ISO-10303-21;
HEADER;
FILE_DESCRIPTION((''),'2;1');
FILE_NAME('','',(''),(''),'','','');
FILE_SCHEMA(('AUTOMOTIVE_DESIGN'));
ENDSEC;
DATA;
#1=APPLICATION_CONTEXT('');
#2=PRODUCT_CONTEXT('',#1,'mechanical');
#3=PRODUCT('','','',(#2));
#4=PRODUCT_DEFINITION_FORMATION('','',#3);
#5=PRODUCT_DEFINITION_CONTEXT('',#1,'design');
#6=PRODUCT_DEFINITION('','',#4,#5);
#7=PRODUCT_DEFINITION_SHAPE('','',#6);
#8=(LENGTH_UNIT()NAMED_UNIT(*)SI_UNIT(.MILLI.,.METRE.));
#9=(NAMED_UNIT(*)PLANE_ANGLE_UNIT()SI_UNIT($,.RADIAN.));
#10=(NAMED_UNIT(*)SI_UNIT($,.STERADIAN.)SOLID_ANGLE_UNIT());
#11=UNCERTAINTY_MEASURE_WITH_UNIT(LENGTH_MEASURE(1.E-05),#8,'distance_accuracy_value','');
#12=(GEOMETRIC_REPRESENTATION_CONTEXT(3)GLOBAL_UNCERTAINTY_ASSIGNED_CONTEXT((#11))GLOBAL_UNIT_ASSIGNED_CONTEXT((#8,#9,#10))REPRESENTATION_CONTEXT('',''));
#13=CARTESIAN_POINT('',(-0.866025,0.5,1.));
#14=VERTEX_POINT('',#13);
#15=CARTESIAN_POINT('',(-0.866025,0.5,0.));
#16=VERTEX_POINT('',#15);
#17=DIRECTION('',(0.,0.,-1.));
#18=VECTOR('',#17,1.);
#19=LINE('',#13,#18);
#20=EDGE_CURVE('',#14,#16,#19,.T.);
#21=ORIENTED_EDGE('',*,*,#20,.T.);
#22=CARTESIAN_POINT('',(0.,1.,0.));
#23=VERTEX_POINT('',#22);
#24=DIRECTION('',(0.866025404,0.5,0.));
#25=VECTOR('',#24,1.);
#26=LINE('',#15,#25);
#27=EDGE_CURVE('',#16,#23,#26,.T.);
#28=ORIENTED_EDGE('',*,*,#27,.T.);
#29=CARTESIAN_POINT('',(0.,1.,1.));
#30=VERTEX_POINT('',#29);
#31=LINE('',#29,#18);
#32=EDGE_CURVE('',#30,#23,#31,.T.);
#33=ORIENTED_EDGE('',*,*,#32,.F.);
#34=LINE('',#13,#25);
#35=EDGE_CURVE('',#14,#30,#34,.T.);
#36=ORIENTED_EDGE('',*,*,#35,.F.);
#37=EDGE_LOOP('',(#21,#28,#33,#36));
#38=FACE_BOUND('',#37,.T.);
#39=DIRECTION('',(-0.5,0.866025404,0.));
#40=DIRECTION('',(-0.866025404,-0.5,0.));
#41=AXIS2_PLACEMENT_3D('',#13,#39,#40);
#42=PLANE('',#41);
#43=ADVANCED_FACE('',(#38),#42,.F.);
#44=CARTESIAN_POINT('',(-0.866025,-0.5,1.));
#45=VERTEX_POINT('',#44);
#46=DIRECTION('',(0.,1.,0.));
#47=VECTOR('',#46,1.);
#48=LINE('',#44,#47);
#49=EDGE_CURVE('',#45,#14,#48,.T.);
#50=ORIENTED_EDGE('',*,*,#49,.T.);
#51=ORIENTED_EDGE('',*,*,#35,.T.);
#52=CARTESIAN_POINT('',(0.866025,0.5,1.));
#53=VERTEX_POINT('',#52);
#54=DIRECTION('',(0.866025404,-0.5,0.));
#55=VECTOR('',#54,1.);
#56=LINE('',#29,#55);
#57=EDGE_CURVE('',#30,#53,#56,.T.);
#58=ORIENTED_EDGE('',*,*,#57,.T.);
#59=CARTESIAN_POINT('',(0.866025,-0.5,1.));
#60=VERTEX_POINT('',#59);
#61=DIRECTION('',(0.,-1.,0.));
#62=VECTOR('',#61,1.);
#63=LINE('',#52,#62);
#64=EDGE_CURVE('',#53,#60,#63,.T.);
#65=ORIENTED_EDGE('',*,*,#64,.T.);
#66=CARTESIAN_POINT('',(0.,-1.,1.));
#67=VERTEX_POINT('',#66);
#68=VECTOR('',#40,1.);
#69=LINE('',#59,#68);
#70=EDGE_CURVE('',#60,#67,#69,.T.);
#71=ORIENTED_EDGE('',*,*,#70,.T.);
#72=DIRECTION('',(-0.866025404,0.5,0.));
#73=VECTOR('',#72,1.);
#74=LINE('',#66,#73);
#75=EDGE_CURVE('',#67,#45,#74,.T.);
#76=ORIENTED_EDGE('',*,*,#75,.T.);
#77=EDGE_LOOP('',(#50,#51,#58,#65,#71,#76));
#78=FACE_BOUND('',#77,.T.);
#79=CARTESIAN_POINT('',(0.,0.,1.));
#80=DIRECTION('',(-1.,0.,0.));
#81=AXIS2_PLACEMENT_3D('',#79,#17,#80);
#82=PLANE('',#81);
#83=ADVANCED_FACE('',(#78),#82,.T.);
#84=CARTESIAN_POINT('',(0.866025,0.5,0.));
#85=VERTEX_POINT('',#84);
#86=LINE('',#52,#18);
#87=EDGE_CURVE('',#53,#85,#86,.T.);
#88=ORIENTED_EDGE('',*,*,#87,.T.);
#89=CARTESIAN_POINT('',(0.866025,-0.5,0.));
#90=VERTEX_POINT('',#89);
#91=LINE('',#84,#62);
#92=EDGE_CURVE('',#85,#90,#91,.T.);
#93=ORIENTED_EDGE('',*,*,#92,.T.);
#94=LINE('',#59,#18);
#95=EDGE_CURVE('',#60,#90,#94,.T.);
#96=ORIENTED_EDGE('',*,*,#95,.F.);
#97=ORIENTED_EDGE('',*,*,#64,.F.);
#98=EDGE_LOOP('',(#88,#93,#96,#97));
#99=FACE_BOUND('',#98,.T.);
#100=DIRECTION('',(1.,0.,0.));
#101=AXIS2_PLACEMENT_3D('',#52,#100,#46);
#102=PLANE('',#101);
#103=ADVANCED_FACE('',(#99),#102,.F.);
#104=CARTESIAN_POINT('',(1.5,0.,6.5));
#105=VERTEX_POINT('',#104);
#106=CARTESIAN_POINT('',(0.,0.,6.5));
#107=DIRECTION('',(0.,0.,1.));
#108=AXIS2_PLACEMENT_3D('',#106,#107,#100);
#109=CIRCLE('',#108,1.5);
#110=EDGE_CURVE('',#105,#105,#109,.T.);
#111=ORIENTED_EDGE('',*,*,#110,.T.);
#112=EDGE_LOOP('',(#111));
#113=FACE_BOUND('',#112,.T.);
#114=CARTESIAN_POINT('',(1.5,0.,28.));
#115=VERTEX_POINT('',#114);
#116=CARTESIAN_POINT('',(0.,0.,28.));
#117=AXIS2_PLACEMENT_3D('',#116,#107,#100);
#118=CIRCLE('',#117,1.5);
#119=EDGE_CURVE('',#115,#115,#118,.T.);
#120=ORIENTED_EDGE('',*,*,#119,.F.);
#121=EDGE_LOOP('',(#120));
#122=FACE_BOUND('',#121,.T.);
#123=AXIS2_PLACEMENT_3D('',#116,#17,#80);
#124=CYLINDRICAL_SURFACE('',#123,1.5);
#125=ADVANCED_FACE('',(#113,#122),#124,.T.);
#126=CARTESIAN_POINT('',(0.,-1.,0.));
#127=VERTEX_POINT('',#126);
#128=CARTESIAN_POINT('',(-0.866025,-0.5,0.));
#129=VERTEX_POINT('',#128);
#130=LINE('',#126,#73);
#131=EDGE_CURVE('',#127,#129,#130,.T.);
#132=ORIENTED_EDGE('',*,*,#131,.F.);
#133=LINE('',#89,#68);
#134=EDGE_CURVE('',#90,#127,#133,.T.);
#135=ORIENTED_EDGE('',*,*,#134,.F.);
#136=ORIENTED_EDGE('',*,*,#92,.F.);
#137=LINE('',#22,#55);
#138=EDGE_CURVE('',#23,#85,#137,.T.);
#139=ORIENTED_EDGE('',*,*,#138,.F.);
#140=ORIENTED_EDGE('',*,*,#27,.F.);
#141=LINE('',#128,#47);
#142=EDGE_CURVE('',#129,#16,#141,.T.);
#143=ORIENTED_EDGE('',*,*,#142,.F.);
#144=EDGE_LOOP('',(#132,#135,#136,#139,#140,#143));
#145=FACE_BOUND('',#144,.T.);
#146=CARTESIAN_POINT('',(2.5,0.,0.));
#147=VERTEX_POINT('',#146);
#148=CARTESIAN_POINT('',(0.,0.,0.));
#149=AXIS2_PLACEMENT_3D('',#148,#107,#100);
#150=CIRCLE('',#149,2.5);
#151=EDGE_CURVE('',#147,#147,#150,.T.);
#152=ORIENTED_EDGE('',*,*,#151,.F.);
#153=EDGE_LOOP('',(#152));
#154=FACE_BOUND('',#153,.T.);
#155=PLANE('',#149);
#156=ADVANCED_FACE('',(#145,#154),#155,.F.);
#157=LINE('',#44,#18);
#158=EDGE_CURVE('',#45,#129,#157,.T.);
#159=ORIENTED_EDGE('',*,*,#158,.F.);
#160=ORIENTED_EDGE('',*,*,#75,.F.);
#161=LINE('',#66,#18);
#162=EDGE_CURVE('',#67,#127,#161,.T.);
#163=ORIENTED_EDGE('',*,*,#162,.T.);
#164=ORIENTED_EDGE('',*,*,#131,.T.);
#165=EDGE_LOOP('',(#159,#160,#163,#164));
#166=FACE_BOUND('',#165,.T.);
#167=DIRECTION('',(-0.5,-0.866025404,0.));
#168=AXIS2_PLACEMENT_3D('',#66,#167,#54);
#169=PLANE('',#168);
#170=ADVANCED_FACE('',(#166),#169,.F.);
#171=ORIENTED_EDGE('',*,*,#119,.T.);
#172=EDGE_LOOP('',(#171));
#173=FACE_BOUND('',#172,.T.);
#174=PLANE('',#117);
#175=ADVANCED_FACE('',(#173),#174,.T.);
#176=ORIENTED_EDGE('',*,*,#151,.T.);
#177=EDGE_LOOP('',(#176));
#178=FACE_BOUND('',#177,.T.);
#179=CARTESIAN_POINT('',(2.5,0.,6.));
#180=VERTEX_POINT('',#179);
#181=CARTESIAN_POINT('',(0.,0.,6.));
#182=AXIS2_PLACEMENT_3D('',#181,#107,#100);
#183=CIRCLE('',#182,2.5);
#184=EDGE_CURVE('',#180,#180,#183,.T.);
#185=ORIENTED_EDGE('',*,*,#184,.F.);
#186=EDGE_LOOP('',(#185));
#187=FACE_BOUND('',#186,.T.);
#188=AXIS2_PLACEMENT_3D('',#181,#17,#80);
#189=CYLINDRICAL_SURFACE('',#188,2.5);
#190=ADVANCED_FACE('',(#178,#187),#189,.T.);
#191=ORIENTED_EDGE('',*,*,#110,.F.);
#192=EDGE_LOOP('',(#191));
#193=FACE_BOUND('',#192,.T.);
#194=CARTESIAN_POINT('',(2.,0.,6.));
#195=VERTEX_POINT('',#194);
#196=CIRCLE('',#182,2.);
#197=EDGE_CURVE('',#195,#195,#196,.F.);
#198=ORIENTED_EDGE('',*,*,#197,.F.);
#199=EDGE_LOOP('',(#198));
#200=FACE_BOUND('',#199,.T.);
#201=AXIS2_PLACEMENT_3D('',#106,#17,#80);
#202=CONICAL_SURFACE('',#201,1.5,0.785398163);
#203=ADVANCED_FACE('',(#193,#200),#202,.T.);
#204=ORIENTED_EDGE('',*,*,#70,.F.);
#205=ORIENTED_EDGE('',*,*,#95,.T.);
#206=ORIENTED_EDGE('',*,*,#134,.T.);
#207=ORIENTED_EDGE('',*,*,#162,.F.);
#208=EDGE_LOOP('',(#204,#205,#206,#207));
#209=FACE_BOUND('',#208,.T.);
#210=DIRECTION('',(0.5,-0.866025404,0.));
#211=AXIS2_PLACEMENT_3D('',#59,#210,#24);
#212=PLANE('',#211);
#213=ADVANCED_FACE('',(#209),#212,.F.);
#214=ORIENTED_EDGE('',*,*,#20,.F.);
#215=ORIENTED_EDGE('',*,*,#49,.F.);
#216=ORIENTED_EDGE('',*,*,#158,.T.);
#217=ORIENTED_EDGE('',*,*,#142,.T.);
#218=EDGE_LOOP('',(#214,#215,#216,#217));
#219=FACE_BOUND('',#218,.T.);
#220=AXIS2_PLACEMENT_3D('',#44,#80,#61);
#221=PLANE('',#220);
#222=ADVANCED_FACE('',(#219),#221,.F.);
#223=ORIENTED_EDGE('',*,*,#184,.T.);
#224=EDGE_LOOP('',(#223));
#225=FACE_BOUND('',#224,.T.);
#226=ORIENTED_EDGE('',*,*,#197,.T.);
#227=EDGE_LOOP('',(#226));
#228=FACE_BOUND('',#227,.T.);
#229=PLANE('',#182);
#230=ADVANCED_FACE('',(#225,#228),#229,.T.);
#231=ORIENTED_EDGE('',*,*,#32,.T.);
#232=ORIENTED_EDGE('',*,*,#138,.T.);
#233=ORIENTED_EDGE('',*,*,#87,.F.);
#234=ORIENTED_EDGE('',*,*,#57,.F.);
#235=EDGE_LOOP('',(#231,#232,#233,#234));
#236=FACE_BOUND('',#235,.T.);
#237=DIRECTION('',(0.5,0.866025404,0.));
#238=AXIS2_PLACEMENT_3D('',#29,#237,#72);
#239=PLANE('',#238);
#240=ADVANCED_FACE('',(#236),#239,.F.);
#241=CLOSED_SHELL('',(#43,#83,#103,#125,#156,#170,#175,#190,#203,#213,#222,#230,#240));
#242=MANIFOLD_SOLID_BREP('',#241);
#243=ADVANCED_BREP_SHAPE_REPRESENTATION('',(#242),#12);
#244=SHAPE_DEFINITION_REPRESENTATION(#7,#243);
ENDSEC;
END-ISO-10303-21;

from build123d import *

# Parameters (mm, degrees)
SKETCH1_R           = 2.5
BOSS_EXTRUDE1_DEPTH = 6
SKETCH2_R           = 1.5
BOSS_EXTRUDE2_DEPTH = 22
CUT_EXTRUDE1_DEPTH  = 1
CHAMFER1_SIZE       = 0.5


with BuildPart() as part:
    # Sketch1 → Boss-Extrude1 (new body)
    with BuildSketch(Plane.XY):
        Circle(SKETCH1_R)
    extrude(amount=BOSS_EXTRUDE1_DEPTH)

    # Sketch2 → Boss-Extrude2 (add)
    with BuildSketch(Plane.XY.offset(6)):
        Circle(SKETCH2_R)
    extrude(amount=BOSS_EXTRUDE2_DEPTH)

    # Sketch3 → Cut-Extrude1 (cut)
    with BuildSketch(Plane(origin=(0, 0, 0), x_dir=(-1, 0, 0), z_dir=(0, 0, -1))):
        Polygon((0, 1), (-0.866025404, 0.5), (-0.866025404, -0.5), (0, -1), (0.866025404, -0.5), (0.866025404, 0.5), align=None)
    extrude(amount=-CUT_EXTRUDE1_DEPTH, mode=Mode.SUBTRACT)

    # Chamfer1
    chamfer1_edges = [part.edges().sort_by_distance(p)[0] for p in [
        (-1.5, 0, 6),
    ]]
    chamfer(chamfer1_edges, length=CHAMFER1_SIZE)


solid = part.part
